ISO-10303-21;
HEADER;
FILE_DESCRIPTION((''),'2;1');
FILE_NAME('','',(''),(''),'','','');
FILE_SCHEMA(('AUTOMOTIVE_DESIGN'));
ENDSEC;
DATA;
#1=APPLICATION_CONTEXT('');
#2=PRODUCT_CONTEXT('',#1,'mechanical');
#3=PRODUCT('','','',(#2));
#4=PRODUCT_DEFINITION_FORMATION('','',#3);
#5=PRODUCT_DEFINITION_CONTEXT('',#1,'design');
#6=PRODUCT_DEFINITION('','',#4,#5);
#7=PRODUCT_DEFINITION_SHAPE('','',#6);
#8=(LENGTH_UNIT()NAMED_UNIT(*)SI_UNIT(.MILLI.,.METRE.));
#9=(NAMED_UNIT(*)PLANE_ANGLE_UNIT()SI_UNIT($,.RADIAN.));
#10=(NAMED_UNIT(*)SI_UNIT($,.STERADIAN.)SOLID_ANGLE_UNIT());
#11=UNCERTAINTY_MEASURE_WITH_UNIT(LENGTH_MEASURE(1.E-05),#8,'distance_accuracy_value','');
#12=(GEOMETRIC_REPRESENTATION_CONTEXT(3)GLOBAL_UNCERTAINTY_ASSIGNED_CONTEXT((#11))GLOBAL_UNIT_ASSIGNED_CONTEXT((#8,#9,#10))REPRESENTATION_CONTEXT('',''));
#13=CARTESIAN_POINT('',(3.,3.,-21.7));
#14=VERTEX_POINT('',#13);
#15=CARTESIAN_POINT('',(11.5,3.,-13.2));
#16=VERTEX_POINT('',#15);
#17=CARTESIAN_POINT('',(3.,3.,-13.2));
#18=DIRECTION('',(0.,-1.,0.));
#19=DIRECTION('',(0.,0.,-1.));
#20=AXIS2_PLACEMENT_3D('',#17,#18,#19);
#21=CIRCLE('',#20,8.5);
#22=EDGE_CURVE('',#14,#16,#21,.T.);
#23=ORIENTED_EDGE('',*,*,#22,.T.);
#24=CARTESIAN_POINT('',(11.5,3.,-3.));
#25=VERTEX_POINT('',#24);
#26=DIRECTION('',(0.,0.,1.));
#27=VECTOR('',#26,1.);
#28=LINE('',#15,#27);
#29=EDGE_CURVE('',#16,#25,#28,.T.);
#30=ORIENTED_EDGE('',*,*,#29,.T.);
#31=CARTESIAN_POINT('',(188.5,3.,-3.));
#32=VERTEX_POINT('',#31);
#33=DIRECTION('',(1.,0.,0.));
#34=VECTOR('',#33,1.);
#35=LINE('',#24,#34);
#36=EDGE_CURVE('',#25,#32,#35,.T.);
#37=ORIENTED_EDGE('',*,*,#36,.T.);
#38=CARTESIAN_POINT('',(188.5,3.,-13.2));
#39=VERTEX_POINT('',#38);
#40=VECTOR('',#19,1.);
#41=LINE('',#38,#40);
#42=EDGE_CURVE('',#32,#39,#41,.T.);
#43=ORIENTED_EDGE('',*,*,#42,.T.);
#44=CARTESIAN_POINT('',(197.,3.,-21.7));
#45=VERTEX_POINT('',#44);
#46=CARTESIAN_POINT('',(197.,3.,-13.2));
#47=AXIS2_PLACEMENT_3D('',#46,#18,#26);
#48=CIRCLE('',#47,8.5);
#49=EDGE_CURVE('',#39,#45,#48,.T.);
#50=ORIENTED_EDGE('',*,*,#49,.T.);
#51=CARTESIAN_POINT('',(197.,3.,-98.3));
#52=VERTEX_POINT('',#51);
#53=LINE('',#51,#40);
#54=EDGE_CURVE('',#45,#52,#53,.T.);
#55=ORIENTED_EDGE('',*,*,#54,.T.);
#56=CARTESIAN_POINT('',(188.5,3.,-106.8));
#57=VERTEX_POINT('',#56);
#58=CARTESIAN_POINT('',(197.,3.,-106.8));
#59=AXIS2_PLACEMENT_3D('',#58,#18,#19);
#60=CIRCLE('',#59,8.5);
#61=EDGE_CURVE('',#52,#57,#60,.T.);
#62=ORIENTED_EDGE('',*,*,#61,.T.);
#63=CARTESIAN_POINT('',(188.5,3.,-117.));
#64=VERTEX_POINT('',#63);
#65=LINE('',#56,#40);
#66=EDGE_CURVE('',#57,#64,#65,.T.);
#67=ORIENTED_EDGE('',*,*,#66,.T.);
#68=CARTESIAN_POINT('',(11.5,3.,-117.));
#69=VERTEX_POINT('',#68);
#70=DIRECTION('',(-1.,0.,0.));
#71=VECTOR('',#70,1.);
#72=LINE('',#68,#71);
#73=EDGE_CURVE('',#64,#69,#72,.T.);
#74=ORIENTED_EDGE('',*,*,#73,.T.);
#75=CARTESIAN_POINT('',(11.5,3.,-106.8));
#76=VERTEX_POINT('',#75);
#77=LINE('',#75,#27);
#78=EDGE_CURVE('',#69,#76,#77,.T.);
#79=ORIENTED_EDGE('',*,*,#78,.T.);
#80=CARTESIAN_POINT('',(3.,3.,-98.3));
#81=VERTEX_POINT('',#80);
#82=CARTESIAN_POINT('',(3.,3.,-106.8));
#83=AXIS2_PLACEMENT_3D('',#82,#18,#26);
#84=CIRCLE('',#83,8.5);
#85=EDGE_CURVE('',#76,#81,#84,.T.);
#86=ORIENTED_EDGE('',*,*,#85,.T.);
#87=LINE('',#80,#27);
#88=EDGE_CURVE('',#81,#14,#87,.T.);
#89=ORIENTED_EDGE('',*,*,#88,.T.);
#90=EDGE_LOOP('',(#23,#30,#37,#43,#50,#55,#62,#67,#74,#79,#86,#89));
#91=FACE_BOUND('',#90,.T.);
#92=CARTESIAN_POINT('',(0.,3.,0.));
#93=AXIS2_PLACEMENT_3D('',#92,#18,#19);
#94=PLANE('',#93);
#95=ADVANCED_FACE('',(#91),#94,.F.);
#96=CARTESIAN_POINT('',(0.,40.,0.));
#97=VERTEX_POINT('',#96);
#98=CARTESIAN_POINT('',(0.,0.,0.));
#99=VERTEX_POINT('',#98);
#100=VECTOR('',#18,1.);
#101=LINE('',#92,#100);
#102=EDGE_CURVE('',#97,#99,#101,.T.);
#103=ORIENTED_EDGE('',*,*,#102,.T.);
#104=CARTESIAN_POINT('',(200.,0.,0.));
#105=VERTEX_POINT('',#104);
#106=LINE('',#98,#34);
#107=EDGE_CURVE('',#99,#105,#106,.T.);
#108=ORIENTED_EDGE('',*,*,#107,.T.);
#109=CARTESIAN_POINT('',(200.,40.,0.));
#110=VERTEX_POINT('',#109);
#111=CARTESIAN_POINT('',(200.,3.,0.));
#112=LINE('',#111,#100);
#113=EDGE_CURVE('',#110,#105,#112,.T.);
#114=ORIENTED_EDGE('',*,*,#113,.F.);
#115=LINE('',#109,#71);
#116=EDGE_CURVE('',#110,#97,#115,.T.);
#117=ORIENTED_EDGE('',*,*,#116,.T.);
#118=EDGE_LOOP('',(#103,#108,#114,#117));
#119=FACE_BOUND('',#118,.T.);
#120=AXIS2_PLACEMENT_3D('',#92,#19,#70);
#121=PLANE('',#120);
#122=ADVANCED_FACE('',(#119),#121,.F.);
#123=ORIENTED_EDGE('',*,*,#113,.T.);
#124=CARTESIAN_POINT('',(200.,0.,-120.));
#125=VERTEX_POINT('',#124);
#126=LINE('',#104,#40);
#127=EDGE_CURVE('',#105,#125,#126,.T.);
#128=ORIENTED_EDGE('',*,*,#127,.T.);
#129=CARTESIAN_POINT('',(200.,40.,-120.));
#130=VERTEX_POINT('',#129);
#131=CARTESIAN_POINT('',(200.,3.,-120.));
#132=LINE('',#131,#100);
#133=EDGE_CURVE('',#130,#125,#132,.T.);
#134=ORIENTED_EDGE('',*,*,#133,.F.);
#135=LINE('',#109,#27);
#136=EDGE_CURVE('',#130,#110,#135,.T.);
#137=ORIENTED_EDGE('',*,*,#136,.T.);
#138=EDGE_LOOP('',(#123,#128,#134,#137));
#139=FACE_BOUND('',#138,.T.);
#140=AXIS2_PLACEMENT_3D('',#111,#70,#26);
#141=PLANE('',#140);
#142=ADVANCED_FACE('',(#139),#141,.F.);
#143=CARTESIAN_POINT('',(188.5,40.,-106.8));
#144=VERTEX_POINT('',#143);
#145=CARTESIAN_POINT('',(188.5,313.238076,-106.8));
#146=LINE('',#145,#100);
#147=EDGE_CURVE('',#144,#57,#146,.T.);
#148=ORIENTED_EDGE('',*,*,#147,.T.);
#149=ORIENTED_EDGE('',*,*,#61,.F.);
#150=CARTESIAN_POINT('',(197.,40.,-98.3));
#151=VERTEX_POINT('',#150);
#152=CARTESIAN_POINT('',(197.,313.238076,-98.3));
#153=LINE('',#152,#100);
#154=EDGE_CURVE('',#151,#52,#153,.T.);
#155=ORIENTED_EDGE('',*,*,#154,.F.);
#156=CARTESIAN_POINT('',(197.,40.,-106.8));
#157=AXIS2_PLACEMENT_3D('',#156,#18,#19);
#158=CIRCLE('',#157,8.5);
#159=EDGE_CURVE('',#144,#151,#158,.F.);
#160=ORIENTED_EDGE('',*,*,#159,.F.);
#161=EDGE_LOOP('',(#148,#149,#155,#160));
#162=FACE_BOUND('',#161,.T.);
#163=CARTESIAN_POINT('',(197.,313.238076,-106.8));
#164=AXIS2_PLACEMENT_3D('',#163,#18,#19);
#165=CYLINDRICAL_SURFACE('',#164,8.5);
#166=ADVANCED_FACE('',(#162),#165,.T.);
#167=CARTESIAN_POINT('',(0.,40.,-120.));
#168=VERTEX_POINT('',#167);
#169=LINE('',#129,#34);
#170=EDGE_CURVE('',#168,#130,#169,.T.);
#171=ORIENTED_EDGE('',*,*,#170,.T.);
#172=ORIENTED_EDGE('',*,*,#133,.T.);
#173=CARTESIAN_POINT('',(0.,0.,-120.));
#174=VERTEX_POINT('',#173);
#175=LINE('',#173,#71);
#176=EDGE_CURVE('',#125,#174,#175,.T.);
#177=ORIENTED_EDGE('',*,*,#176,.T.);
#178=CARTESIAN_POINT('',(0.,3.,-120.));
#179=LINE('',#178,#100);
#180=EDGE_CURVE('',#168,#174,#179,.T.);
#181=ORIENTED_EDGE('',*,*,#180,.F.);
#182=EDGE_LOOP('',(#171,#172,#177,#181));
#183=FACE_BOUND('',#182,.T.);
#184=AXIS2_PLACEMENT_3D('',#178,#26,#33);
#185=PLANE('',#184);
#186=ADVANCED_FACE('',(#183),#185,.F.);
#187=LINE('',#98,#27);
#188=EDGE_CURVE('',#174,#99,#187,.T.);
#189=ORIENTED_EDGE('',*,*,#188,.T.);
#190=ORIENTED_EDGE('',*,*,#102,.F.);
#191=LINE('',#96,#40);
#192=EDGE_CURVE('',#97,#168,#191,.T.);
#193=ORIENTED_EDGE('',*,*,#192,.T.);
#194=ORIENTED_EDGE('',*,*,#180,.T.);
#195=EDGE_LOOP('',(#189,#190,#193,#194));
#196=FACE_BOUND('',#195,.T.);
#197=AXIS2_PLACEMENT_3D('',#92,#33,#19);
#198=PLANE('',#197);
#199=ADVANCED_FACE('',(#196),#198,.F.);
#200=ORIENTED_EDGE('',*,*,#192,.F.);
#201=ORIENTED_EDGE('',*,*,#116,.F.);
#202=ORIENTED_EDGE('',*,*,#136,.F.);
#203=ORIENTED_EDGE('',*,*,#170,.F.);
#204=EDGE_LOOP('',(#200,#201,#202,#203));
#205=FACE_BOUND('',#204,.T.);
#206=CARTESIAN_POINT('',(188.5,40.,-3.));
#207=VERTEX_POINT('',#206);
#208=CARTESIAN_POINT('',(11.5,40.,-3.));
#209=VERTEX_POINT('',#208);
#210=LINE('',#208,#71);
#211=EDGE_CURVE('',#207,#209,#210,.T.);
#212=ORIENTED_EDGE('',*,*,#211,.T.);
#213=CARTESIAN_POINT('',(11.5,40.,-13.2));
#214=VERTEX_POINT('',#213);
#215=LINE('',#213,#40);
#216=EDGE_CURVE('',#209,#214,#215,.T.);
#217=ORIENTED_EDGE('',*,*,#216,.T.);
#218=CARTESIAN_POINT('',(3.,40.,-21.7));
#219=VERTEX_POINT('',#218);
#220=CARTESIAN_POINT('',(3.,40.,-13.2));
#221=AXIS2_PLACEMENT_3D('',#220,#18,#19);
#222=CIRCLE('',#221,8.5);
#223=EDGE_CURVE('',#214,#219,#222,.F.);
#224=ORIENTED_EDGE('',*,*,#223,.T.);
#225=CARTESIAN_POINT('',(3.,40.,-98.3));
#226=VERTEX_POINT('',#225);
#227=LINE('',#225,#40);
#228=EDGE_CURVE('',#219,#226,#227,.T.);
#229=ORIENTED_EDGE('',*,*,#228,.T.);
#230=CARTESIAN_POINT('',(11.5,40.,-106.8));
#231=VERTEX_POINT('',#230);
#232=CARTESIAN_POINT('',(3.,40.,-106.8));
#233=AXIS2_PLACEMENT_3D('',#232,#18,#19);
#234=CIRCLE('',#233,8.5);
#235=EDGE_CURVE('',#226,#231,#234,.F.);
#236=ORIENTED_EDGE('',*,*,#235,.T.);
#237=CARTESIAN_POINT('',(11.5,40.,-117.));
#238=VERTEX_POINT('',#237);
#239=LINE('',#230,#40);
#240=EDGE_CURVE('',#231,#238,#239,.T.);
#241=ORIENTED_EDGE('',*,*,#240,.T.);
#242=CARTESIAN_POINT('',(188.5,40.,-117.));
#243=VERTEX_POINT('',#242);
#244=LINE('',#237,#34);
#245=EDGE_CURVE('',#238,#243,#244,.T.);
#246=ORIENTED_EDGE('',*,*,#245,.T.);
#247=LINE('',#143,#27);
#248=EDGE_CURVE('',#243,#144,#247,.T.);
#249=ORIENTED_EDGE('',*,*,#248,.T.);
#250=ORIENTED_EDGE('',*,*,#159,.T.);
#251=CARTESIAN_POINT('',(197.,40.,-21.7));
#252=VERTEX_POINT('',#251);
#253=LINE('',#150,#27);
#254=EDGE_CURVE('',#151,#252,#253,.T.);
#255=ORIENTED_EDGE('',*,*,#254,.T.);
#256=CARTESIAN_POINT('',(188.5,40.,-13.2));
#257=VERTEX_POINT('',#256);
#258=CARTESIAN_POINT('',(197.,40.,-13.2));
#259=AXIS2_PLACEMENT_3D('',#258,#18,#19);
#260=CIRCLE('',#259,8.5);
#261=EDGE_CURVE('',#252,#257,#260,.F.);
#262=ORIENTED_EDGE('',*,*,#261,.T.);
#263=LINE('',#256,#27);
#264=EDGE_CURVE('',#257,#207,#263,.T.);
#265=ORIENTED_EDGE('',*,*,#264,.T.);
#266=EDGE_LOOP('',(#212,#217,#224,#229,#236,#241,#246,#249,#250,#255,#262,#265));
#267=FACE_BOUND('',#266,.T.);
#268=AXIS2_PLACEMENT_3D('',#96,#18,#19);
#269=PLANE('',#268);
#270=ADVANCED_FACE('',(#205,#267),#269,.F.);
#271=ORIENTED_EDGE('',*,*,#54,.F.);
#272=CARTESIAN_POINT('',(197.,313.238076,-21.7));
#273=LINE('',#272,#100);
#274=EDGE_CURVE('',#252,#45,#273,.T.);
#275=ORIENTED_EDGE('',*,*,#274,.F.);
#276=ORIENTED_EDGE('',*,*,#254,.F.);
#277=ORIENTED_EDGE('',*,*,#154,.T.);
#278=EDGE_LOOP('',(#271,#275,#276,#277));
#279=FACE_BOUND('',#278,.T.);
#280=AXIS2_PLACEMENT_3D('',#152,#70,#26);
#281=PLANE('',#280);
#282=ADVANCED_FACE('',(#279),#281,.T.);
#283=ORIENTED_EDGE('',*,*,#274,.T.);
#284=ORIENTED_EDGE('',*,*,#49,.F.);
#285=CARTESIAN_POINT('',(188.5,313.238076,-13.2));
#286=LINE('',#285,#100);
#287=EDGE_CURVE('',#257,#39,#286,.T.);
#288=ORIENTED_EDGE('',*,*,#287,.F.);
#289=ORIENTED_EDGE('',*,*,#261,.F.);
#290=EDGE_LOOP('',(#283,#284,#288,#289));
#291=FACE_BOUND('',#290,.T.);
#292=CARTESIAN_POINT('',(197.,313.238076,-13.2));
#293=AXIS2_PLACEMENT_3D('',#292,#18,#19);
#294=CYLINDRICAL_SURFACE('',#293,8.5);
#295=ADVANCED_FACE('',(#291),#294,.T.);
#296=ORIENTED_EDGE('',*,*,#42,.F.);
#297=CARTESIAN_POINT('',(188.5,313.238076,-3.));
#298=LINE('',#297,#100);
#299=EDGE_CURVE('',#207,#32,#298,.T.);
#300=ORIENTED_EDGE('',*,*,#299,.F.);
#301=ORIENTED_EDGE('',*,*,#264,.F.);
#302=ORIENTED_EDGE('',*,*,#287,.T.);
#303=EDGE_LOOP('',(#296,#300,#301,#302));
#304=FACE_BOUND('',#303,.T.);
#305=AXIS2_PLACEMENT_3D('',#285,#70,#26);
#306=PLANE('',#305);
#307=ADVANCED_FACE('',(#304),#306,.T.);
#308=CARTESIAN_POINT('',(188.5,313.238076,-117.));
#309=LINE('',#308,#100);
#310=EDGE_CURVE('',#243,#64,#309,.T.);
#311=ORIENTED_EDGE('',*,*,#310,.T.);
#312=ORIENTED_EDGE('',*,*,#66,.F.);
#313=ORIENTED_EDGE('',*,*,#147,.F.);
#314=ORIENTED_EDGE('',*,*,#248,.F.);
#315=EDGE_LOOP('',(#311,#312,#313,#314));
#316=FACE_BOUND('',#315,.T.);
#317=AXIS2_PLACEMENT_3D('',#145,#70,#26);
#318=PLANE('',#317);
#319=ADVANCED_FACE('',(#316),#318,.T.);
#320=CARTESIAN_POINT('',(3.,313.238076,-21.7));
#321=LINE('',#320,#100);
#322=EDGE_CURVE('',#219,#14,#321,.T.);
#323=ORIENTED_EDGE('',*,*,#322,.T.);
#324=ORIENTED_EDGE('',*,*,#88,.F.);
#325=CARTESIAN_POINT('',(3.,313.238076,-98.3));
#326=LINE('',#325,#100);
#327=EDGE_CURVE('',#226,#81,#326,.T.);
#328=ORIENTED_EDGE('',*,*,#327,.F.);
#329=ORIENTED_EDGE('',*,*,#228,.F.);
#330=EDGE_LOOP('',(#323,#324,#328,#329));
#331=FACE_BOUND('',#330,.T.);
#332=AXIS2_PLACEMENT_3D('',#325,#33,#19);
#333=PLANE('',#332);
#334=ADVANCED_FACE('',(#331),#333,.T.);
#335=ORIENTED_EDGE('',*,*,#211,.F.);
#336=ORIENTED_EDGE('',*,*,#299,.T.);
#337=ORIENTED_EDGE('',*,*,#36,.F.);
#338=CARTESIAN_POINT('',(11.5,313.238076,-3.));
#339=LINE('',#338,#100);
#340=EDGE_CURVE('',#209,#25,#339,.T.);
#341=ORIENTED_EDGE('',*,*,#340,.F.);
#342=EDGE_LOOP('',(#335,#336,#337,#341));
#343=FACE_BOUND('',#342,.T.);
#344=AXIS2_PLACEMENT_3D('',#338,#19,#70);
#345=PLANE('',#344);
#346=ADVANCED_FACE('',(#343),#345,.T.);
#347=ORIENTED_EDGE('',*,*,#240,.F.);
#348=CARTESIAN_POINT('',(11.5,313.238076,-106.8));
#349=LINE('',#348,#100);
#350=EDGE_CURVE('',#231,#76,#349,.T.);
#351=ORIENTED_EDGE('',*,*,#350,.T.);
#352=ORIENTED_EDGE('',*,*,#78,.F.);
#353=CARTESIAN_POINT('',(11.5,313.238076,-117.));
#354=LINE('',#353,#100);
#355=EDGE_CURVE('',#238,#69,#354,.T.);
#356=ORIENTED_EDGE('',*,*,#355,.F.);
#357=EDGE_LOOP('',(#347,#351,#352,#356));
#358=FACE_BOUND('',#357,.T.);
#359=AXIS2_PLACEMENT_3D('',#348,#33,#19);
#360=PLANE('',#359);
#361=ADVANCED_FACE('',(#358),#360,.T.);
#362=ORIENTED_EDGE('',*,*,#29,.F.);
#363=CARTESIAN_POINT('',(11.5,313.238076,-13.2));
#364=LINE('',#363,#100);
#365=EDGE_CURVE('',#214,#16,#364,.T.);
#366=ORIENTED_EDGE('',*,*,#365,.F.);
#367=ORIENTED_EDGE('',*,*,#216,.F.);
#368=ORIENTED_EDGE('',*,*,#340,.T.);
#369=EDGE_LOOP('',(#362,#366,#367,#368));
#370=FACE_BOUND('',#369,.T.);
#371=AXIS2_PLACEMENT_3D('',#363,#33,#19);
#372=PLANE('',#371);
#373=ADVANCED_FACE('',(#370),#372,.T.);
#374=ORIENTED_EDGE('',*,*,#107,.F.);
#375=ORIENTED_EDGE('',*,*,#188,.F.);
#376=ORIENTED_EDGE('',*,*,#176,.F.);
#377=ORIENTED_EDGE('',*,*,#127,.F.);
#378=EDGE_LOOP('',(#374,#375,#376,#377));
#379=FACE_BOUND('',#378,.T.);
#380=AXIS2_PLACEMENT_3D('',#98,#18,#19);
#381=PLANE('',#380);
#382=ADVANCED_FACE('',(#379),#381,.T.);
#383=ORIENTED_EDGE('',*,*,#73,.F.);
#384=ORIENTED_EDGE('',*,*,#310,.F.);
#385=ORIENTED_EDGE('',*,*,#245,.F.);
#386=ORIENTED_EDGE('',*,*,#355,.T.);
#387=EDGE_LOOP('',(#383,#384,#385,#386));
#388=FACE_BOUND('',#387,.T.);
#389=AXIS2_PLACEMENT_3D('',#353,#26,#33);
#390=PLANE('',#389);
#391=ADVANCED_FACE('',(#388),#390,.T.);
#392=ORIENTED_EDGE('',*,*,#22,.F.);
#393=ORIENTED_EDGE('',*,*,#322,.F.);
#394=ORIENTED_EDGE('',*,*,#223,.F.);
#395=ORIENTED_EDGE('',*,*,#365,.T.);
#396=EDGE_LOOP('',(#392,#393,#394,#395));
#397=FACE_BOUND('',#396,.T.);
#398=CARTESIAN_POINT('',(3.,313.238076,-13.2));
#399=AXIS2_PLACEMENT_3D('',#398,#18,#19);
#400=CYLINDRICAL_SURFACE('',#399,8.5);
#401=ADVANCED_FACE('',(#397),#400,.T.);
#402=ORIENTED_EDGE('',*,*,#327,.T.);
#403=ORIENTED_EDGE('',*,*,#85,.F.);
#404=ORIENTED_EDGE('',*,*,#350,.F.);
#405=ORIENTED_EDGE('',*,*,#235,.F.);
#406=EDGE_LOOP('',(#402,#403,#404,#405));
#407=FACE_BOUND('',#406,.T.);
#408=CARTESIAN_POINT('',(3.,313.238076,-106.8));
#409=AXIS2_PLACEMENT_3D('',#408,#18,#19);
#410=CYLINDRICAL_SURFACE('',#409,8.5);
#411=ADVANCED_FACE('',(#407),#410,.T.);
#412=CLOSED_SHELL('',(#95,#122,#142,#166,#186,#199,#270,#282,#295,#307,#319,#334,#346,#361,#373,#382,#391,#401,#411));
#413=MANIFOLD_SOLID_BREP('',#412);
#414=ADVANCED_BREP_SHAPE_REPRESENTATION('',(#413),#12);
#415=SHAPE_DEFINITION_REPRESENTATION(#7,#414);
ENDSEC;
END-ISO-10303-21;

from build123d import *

# Parameters (mm, degrees)
SKETCH1_W           = 200
SKETCH1_H           = 120
BOSS_EXTRUDE1_DEPTH = 3
SKETCH2_W           = 200
SKETCH2_H           = 120
BOSS_EXTRUDE2_DEPTH = 37


with BuildPart() as part:
    # Sketch1 → Boss-Extrude1 (new body)
    with BuildSketch(Plane(origin=(0, 0, 0), x_dir=(1, 0, 0), z_dir=(0, 1, 0))):
        with Locations((100, 60)):
            Rectangle(SKETCH1_W, SKETCH1_H)
    extrude(amount=BOSS_EXTRUDE1_DEPTH)

    # Sketch2 → Boss-Extrude2 (add)
    with BuildSketch(Plane(origin=(0, 3, 0), x_dir=(1, 0, 0), z_dir=(0, 1, 0))):
        with Locations((100, 60)):
            Rectangle(SKETCH2_W, SKETCH2_H)
        with BuildLine():
            Line((3, 98.3), (3, 21.7))
            ThreePointArc((3, 21.7), (9.01040764, 19.21040764), (11.5, 13.2))
            Line((11.5, 13.2), (11.5, 3))
            Line((11.5, 3), (188.5, 3))
            Line((188.5, 3), (188.5, 13.2))
            ThreePointArc((188.5, 13.2), (190.98959236, 19.21040764), (197, 21.7))
            Line((197, 21.7), (197, 98.3))
            ThreePointArc((197, 98.3), (190.98959236, 100.78959236), (188.5, 106.8))
            Line((188.5, 106.8), (188.5, 117))
            Line((188.5, 117), (11.5, 117))
            Line((11.5, 117), (11.5, 106.8))
            ThreePointArc((11.5, 106.8), (9.01040764, 100.78959236), (3, 98.3))
        make_face(mode=Mode.SUBTRACT)
    extrude(amount=BOSS_EXTRUDE2_DEPTH)


solid = part.part
